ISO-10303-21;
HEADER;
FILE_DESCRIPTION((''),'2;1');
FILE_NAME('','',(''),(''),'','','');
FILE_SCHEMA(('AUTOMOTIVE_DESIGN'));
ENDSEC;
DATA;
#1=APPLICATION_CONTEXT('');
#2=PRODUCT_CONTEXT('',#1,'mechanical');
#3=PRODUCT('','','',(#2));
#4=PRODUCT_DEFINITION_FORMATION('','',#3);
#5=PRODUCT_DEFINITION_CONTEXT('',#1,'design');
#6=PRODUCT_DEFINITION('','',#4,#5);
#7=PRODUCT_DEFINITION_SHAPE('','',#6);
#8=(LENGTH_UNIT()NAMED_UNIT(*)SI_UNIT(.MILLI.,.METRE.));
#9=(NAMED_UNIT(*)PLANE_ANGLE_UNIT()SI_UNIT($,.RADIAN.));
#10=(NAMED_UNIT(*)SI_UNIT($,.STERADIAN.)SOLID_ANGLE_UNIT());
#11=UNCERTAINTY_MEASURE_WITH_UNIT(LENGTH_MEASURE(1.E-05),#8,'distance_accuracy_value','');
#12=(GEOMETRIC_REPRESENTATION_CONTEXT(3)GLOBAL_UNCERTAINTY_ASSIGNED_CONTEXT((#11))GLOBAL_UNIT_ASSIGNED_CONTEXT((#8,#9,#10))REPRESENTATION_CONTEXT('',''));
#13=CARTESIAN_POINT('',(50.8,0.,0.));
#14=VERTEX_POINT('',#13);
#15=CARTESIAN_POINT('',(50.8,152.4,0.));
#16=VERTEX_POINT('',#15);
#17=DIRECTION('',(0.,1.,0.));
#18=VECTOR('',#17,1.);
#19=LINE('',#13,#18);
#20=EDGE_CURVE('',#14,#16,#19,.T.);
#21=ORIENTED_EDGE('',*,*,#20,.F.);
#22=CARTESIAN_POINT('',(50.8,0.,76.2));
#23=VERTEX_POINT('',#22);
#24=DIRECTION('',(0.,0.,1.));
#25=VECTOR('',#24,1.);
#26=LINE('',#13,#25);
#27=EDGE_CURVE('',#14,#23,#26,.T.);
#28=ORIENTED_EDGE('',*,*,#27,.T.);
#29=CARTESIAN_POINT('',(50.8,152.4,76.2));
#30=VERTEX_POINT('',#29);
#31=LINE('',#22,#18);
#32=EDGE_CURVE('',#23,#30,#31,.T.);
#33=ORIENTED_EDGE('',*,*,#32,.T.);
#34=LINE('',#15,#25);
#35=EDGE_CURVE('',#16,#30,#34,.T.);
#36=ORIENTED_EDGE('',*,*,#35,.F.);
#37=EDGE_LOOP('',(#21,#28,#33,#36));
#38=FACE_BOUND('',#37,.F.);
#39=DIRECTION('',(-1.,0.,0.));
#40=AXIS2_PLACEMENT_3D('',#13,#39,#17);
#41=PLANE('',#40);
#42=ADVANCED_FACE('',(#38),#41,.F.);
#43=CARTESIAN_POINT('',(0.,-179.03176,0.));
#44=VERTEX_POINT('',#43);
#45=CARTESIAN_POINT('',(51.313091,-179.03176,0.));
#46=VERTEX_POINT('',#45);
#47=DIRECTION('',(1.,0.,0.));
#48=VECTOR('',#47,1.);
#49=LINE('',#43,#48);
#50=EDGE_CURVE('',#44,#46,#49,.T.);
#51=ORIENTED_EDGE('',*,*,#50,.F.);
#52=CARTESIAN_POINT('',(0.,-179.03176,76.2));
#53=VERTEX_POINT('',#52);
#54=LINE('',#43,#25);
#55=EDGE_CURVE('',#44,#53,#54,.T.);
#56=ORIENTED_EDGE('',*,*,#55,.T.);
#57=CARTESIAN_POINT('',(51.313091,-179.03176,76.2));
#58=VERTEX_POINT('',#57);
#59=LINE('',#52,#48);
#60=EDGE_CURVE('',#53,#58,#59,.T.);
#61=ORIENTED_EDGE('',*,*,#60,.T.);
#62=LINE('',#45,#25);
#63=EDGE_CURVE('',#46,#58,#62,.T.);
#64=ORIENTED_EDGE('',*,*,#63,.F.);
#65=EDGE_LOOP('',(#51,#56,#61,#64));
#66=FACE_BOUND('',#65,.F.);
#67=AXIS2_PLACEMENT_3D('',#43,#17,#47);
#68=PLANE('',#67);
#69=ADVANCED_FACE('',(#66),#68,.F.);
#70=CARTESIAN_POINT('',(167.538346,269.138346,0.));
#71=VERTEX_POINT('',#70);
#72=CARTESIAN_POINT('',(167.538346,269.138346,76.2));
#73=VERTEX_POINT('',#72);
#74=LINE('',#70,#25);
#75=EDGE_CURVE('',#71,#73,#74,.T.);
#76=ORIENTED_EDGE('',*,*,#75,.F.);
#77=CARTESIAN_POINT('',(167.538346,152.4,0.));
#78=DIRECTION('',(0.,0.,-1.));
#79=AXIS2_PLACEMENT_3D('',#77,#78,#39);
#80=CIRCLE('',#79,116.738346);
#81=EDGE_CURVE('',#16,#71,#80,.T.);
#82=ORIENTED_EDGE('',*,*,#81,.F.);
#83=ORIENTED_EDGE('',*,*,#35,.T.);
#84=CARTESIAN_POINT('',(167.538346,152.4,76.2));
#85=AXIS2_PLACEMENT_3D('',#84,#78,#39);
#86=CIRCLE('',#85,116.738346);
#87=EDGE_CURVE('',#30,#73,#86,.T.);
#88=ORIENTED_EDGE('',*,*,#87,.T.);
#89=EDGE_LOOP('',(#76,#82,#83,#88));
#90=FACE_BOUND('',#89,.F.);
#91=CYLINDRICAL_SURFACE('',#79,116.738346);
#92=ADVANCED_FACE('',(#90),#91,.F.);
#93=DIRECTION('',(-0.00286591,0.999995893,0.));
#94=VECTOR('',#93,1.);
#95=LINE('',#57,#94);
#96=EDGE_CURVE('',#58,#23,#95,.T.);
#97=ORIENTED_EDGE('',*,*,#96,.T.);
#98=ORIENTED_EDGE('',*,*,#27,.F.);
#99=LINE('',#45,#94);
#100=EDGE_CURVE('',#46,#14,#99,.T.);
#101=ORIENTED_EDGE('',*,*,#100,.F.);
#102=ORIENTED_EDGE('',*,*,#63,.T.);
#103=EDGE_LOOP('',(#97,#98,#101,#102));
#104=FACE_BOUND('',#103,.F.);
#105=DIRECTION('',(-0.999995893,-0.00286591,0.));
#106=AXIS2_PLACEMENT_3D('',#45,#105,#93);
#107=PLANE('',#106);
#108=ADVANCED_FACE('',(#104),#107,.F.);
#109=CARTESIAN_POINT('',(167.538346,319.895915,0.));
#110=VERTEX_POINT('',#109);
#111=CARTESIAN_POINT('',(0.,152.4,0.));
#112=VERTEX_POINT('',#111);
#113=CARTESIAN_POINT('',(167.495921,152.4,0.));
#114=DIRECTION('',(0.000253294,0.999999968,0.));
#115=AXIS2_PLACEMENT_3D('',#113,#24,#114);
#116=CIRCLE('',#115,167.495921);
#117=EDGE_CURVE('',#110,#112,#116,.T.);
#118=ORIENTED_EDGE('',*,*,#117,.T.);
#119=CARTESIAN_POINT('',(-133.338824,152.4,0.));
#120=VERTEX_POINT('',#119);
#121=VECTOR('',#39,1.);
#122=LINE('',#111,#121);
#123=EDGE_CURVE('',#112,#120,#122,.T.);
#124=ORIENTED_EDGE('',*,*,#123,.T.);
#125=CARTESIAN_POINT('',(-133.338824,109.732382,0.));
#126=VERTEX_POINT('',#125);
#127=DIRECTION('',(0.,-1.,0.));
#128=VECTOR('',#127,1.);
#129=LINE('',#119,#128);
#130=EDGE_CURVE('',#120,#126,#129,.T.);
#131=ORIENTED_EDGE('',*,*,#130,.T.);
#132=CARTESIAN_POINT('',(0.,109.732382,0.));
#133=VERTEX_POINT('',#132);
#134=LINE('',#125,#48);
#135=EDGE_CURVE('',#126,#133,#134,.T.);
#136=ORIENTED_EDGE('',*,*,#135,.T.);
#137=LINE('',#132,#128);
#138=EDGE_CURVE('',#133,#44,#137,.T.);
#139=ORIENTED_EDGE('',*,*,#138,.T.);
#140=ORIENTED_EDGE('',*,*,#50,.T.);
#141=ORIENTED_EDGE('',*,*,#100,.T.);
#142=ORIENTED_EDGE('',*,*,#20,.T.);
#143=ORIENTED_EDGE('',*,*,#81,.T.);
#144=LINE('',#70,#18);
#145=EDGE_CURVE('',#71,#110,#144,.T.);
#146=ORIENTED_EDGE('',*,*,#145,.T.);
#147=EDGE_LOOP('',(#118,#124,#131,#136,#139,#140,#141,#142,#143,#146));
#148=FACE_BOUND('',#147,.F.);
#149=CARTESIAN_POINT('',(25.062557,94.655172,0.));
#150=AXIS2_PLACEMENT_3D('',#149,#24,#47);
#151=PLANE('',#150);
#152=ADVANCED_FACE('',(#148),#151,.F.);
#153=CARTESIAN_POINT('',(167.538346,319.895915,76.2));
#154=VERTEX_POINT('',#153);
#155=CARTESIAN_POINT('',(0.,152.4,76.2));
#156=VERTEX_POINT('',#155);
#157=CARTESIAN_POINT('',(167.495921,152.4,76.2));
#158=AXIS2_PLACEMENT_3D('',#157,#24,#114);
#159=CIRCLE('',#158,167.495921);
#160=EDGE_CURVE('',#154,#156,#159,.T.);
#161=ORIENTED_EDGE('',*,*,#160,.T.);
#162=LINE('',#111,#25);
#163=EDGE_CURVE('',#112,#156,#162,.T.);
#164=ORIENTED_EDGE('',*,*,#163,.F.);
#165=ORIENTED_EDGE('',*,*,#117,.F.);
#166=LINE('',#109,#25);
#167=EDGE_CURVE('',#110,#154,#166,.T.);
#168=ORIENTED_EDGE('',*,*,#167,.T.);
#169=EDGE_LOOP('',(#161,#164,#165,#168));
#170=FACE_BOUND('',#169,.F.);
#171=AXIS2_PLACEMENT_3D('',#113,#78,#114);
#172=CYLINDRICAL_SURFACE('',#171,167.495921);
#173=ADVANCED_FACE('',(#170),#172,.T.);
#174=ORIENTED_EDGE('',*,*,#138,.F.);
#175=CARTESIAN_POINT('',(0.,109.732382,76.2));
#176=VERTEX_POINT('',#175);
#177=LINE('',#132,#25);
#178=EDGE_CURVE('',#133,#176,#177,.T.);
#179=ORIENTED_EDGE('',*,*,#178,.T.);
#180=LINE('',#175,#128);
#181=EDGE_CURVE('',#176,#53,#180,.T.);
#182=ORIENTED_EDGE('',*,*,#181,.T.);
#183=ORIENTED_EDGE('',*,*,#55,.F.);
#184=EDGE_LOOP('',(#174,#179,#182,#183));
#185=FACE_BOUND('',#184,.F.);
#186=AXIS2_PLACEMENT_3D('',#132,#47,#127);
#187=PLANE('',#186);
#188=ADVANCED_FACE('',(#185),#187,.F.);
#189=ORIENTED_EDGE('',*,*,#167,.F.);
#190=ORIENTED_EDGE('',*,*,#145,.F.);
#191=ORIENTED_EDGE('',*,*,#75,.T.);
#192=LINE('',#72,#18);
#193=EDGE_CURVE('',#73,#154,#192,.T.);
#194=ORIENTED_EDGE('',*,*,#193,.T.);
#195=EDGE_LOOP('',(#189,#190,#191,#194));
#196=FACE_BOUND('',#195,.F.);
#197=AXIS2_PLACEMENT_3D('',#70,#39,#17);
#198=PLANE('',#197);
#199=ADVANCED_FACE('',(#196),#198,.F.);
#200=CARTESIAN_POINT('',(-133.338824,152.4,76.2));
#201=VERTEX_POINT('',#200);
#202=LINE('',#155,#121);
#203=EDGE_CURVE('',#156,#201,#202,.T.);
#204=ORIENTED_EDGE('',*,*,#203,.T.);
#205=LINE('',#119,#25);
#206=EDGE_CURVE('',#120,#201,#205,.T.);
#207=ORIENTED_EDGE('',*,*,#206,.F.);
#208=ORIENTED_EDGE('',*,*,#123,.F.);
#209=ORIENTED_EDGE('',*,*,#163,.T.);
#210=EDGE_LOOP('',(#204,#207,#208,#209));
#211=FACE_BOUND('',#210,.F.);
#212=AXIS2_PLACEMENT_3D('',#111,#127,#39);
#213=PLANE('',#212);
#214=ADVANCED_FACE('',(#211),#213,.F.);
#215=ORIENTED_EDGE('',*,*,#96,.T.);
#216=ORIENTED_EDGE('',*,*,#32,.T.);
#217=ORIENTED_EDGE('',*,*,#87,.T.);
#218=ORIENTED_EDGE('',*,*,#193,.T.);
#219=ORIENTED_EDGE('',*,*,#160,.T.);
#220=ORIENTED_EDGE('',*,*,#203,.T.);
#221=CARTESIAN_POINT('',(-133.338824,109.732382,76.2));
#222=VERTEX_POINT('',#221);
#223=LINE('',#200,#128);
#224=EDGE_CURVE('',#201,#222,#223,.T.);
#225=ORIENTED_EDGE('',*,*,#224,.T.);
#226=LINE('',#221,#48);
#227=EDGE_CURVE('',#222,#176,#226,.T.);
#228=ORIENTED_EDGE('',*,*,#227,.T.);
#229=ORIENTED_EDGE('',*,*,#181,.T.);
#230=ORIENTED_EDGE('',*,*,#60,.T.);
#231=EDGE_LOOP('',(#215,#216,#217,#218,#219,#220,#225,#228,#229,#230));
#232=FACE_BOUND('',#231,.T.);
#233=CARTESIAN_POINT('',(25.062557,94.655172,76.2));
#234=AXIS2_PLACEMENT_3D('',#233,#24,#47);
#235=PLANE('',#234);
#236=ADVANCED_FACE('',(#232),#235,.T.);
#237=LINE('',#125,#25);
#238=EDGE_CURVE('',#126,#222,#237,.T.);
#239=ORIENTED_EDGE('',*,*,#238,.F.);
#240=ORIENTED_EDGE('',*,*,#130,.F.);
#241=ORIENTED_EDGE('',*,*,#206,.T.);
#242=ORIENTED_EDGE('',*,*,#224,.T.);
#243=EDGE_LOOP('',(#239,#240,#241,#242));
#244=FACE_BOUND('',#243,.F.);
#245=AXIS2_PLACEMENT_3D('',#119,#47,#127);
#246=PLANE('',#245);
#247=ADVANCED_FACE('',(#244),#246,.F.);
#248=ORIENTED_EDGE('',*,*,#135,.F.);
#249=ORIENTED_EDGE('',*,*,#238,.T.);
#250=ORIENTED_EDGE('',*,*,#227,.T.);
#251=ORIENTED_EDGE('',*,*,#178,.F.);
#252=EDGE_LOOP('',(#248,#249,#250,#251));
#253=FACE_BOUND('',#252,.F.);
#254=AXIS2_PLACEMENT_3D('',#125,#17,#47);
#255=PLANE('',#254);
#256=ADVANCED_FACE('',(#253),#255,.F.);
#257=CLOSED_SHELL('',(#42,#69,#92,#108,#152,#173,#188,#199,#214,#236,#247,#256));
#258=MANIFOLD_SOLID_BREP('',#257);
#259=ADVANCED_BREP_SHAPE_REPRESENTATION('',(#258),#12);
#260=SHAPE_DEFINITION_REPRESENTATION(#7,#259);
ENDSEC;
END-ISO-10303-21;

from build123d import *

# Parameters (mm, degrees)
F1_DEPTH = 76.2


with BuildPart() as f1:
    # F0 (on Top) → F1 (new body)
    with BuildSketch(Plane.XY):
        with BuildLine():
            Line((0, 109.7323819995), (0, 0))
            Line((0, 0), (0, -179.0317595005))
            Line((0, -179.0317595005), (51.3130910695, -179.0317595005))
            Line((51.3130910695, -179.0317595005), (50.8, 0))
            Line((50.8, 0), (50.8, 152.4))
            ThreePointArc((50.8, 152.4), (84.991870064, 234.9464764315), (167.5383464956, 269.1383464956))
            Line((167.5383464956, 269.1383464956), (167.5383464956, 319.8959154187))
            ThreePointArc((167.5383464956, 319.8959154187), (49.0734200802, 270.8525002146), (0, 152.4))
            Line((0, 152.4), (-133.3388239145, 152.4))
            Line((-133.3388239145, 152.4), (-133.3388239145, 109.7323819995))
            Line((-133.3388239145, 109.7323819995), (0, 109.7323819995))
        make_face()
    extrude(amount=F1_DEPTH)


solid = f1.part
